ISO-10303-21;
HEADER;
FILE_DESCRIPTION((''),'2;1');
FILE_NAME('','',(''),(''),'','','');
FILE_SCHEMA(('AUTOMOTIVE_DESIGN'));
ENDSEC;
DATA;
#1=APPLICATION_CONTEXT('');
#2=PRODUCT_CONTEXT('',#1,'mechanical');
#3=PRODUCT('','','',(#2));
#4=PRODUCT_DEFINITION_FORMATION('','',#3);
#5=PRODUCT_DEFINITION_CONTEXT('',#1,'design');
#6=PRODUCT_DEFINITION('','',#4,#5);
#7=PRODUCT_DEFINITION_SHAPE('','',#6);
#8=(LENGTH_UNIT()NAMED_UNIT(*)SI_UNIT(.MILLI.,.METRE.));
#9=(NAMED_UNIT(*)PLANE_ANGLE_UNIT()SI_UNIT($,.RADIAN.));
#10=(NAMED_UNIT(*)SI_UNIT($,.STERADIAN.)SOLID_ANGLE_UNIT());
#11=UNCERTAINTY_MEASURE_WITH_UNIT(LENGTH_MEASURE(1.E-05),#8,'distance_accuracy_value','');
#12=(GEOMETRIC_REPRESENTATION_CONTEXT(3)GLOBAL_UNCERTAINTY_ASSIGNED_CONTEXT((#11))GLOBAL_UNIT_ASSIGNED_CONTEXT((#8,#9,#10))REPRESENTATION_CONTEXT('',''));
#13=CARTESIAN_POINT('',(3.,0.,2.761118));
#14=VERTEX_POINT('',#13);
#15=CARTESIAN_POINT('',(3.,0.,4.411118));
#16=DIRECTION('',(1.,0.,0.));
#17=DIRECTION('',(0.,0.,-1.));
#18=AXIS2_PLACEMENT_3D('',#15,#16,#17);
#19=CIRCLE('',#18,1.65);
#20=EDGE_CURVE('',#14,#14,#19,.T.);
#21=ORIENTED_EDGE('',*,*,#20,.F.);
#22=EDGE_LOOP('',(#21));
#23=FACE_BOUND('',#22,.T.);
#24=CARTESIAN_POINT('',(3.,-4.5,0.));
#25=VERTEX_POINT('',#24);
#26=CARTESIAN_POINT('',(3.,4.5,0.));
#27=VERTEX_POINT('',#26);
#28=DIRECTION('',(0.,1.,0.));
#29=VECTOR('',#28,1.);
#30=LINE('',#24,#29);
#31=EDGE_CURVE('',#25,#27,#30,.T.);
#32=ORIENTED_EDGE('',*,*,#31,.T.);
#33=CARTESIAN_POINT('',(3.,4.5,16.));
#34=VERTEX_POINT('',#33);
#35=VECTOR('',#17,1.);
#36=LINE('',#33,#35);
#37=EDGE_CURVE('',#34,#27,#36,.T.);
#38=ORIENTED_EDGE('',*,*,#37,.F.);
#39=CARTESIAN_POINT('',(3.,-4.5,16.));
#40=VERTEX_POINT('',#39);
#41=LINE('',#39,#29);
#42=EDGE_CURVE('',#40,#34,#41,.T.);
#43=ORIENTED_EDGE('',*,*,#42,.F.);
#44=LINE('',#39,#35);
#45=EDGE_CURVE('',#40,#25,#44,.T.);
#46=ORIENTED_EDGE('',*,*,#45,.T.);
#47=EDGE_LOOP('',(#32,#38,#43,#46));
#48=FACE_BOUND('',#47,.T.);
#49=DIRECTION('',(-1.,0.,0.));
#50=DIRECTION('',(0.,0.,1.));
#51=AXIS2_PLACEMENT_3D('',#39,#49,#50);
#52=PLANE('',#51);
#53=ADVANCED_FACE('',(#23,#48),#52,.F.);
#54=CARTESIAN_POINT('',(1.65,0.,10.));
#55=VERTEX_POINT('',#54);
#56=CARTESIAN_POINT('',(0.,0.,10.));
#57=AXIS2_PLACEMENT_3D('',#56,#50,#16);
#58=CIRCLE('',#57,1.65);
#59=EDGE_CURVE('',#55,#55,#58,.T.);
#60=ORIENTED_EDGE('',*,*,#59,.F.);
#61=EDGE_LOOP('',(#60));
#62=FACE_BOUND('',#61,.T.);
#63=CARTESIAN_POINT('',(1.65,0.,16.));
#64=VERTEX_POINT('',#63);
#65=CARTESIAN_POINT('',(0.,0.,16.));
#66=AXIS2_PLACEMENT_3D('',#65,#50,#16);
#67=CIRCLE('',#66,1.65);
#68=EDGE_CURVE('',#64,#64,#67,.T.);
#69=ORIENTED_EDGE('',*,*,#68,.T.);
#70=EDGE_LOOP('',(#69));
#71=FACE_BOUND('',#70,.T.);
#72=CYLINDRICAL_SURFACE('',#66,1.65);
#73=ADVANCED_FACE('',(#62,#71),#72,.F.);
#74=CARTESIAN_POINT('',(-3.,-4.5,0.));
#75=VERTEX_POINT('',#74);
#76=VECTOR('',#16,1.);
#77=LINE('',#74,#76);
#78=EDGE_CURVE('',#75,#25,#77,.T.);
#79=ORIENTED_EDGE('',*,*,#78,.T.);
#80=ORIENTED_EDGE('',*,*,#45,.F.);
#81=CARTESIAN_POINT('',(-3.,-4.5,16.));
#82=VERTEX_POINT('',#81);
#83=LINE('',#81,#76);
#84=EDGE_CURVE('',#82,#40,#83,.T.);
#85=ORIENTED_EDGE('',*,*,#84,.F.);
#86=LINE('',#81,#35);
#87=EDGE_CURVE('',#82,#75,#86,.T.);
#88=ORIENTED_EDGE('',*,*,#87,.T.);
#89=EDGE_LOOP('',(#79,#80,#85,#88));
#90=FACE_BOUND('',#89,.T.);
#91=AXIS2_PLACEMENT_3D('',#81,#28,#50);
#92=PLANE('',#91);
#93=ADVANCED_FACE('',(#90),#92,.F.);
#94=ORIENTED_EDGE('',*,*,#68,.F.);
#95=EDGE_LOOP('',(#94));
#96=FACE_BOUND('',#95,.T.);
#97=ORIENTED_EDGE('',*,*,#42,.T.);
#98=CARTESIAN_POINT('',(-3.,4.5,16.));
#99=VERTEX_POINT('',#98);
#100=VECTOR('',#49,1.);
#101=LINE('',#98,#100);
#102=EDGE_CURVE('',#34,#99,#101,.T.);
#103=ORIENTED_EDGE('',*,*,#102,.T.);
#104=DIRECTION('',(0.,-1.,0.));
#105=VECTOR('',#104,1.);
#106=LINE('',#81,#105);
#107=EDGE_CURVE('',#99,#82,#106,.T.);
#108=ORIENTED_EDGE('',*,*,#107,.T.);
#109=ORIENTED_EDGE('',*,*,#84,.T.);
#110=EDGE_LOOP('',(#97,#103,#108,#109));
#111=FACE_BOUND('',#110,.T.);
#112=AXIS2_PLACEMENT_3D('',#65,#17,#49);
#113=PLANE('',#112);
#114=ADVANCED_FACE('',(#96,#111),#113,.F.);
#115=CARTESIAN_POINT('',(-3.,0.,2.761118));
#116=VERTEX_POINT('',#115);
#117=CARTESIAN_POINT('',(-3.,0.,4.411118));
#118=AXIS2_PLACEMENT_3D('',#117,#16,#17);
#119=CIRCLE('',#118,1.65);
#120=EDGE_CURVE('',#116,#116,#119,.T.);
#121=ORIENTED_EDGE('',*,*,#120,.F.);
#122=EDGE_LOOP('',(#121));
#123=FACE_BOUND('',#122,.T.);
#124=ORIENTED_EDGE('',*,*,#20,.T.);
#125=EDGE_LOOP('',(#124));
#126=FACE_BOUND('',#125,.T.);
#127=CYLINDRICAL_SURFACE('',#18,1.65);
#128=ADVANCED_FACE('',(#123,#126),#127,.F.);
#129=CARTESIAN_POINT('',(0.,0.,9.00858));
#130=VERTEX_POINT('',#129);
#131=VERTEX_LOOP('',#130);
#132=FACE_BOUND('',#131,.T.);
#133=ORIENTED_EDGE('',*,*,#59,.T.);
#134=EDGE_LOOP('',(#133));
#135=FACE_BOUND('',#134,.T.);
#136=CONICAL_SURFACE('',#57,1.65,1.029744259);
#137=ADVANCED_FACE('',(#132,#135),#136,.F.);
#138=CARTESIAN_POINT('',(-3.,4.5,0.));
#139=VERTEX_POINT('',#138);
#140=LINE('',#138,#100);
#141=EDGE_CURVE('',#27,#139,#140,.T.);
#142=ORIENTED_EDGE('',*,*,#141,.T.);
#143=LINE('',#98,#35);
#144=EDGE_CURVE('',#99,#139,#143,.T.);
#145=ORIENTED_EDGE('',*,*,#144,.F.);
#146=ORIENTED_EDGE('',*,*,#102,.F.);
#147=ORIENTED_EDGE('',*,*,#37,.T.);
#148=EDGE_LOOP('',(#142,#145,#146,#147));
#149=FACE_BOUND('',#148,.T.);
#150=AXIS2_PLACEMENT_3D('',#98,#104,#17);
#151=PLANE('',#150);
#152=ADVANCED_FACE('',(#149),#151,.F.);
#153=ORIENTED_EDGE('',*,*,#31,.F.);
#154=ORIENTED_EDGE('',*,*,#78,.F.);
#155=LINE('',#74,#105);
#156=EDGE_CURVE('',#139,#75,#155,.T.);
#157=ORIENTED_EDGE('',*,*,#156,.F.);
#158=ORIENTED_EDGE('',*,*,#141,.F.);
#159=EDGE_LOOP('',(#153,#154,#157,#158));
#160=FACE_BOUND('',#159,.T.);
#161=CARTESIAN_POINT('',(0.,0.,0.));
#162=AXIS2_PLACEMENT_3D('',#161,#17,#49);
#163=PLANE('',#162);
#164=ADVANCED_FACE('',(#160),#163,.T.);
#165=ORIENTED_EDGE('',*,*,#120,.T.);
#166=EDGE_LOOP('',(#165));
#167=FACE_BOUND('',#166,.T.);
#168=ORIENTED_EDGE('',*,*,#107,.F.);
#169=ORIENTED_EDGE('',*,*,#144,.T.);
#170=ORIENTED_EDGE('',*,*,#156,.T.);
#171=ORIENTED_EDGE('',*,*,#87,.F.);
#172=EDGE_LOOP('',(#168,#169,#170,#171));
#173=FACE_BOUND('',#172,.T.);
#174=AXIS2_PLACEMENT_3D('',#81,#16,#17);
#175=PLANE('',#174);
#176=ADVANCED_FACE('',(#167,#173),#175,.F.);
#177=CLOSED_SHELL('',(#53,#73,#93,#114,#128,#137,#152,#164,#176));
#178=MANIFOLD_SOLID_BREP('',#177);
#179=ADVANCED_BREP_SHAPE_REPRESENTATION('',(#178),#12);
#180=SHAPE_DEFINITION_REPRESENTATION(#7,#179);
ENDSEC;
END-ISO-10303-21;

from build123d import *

# Parameters (mm, degrees)
SKETCH1_W             = 6
SKETCH1_H             = 9
BOSS_EXTRUDE1_DEPTH   = 16
M4_TAPPED_HOLE1_D     = 3.3
M4_TAPPED_HOLE1_DEPTH = 6
M4_TAPPED_HOLE1_TIP   = 0.991420021
M4_TAPPED_HOLE2_D     = 3.3


with BuildPart() as part:
    # Sketch1 → Boss-Extrude1 (new body)
    with BuildSketch(Plane.XY):
        Rectangle(SKETCH1_W, SKETCH1_H)
    extrude(amount=BOSS_EXTRUDE1_DEPTH)

    # M4 Tapped Hole1
    with Locations(Plane.XY.offset(16)):
        with Locations((0, 0)):
            Hole(M4_TAPPED_HOLE1_D / 2, depth=M4_TAPPED_HOLE1_DEPTH)
            with Locations((0, 0, -(M4_TAPPED_HOLE1_DEPTH + M4_TAPPED_HOLE1_TIP / 2))):  # 118° drill point
                Cone(0, M4_TAPPED_HOLE1_D / 2, M4_TAPPED_HOLE1_TIP, mode=Mode.SUBTRACT)

    # M4 Tapped Hole2 (through all)
    with Locations(Plane(origin=(3, 0, 0), x_dir=(0, 0, -1), z_dir=(1, 0, 0))):
        with Locations((-4.411118023, 0)):
            Hole(M4_TAPPED_HOLE2_D / 2)


solid = part.part
